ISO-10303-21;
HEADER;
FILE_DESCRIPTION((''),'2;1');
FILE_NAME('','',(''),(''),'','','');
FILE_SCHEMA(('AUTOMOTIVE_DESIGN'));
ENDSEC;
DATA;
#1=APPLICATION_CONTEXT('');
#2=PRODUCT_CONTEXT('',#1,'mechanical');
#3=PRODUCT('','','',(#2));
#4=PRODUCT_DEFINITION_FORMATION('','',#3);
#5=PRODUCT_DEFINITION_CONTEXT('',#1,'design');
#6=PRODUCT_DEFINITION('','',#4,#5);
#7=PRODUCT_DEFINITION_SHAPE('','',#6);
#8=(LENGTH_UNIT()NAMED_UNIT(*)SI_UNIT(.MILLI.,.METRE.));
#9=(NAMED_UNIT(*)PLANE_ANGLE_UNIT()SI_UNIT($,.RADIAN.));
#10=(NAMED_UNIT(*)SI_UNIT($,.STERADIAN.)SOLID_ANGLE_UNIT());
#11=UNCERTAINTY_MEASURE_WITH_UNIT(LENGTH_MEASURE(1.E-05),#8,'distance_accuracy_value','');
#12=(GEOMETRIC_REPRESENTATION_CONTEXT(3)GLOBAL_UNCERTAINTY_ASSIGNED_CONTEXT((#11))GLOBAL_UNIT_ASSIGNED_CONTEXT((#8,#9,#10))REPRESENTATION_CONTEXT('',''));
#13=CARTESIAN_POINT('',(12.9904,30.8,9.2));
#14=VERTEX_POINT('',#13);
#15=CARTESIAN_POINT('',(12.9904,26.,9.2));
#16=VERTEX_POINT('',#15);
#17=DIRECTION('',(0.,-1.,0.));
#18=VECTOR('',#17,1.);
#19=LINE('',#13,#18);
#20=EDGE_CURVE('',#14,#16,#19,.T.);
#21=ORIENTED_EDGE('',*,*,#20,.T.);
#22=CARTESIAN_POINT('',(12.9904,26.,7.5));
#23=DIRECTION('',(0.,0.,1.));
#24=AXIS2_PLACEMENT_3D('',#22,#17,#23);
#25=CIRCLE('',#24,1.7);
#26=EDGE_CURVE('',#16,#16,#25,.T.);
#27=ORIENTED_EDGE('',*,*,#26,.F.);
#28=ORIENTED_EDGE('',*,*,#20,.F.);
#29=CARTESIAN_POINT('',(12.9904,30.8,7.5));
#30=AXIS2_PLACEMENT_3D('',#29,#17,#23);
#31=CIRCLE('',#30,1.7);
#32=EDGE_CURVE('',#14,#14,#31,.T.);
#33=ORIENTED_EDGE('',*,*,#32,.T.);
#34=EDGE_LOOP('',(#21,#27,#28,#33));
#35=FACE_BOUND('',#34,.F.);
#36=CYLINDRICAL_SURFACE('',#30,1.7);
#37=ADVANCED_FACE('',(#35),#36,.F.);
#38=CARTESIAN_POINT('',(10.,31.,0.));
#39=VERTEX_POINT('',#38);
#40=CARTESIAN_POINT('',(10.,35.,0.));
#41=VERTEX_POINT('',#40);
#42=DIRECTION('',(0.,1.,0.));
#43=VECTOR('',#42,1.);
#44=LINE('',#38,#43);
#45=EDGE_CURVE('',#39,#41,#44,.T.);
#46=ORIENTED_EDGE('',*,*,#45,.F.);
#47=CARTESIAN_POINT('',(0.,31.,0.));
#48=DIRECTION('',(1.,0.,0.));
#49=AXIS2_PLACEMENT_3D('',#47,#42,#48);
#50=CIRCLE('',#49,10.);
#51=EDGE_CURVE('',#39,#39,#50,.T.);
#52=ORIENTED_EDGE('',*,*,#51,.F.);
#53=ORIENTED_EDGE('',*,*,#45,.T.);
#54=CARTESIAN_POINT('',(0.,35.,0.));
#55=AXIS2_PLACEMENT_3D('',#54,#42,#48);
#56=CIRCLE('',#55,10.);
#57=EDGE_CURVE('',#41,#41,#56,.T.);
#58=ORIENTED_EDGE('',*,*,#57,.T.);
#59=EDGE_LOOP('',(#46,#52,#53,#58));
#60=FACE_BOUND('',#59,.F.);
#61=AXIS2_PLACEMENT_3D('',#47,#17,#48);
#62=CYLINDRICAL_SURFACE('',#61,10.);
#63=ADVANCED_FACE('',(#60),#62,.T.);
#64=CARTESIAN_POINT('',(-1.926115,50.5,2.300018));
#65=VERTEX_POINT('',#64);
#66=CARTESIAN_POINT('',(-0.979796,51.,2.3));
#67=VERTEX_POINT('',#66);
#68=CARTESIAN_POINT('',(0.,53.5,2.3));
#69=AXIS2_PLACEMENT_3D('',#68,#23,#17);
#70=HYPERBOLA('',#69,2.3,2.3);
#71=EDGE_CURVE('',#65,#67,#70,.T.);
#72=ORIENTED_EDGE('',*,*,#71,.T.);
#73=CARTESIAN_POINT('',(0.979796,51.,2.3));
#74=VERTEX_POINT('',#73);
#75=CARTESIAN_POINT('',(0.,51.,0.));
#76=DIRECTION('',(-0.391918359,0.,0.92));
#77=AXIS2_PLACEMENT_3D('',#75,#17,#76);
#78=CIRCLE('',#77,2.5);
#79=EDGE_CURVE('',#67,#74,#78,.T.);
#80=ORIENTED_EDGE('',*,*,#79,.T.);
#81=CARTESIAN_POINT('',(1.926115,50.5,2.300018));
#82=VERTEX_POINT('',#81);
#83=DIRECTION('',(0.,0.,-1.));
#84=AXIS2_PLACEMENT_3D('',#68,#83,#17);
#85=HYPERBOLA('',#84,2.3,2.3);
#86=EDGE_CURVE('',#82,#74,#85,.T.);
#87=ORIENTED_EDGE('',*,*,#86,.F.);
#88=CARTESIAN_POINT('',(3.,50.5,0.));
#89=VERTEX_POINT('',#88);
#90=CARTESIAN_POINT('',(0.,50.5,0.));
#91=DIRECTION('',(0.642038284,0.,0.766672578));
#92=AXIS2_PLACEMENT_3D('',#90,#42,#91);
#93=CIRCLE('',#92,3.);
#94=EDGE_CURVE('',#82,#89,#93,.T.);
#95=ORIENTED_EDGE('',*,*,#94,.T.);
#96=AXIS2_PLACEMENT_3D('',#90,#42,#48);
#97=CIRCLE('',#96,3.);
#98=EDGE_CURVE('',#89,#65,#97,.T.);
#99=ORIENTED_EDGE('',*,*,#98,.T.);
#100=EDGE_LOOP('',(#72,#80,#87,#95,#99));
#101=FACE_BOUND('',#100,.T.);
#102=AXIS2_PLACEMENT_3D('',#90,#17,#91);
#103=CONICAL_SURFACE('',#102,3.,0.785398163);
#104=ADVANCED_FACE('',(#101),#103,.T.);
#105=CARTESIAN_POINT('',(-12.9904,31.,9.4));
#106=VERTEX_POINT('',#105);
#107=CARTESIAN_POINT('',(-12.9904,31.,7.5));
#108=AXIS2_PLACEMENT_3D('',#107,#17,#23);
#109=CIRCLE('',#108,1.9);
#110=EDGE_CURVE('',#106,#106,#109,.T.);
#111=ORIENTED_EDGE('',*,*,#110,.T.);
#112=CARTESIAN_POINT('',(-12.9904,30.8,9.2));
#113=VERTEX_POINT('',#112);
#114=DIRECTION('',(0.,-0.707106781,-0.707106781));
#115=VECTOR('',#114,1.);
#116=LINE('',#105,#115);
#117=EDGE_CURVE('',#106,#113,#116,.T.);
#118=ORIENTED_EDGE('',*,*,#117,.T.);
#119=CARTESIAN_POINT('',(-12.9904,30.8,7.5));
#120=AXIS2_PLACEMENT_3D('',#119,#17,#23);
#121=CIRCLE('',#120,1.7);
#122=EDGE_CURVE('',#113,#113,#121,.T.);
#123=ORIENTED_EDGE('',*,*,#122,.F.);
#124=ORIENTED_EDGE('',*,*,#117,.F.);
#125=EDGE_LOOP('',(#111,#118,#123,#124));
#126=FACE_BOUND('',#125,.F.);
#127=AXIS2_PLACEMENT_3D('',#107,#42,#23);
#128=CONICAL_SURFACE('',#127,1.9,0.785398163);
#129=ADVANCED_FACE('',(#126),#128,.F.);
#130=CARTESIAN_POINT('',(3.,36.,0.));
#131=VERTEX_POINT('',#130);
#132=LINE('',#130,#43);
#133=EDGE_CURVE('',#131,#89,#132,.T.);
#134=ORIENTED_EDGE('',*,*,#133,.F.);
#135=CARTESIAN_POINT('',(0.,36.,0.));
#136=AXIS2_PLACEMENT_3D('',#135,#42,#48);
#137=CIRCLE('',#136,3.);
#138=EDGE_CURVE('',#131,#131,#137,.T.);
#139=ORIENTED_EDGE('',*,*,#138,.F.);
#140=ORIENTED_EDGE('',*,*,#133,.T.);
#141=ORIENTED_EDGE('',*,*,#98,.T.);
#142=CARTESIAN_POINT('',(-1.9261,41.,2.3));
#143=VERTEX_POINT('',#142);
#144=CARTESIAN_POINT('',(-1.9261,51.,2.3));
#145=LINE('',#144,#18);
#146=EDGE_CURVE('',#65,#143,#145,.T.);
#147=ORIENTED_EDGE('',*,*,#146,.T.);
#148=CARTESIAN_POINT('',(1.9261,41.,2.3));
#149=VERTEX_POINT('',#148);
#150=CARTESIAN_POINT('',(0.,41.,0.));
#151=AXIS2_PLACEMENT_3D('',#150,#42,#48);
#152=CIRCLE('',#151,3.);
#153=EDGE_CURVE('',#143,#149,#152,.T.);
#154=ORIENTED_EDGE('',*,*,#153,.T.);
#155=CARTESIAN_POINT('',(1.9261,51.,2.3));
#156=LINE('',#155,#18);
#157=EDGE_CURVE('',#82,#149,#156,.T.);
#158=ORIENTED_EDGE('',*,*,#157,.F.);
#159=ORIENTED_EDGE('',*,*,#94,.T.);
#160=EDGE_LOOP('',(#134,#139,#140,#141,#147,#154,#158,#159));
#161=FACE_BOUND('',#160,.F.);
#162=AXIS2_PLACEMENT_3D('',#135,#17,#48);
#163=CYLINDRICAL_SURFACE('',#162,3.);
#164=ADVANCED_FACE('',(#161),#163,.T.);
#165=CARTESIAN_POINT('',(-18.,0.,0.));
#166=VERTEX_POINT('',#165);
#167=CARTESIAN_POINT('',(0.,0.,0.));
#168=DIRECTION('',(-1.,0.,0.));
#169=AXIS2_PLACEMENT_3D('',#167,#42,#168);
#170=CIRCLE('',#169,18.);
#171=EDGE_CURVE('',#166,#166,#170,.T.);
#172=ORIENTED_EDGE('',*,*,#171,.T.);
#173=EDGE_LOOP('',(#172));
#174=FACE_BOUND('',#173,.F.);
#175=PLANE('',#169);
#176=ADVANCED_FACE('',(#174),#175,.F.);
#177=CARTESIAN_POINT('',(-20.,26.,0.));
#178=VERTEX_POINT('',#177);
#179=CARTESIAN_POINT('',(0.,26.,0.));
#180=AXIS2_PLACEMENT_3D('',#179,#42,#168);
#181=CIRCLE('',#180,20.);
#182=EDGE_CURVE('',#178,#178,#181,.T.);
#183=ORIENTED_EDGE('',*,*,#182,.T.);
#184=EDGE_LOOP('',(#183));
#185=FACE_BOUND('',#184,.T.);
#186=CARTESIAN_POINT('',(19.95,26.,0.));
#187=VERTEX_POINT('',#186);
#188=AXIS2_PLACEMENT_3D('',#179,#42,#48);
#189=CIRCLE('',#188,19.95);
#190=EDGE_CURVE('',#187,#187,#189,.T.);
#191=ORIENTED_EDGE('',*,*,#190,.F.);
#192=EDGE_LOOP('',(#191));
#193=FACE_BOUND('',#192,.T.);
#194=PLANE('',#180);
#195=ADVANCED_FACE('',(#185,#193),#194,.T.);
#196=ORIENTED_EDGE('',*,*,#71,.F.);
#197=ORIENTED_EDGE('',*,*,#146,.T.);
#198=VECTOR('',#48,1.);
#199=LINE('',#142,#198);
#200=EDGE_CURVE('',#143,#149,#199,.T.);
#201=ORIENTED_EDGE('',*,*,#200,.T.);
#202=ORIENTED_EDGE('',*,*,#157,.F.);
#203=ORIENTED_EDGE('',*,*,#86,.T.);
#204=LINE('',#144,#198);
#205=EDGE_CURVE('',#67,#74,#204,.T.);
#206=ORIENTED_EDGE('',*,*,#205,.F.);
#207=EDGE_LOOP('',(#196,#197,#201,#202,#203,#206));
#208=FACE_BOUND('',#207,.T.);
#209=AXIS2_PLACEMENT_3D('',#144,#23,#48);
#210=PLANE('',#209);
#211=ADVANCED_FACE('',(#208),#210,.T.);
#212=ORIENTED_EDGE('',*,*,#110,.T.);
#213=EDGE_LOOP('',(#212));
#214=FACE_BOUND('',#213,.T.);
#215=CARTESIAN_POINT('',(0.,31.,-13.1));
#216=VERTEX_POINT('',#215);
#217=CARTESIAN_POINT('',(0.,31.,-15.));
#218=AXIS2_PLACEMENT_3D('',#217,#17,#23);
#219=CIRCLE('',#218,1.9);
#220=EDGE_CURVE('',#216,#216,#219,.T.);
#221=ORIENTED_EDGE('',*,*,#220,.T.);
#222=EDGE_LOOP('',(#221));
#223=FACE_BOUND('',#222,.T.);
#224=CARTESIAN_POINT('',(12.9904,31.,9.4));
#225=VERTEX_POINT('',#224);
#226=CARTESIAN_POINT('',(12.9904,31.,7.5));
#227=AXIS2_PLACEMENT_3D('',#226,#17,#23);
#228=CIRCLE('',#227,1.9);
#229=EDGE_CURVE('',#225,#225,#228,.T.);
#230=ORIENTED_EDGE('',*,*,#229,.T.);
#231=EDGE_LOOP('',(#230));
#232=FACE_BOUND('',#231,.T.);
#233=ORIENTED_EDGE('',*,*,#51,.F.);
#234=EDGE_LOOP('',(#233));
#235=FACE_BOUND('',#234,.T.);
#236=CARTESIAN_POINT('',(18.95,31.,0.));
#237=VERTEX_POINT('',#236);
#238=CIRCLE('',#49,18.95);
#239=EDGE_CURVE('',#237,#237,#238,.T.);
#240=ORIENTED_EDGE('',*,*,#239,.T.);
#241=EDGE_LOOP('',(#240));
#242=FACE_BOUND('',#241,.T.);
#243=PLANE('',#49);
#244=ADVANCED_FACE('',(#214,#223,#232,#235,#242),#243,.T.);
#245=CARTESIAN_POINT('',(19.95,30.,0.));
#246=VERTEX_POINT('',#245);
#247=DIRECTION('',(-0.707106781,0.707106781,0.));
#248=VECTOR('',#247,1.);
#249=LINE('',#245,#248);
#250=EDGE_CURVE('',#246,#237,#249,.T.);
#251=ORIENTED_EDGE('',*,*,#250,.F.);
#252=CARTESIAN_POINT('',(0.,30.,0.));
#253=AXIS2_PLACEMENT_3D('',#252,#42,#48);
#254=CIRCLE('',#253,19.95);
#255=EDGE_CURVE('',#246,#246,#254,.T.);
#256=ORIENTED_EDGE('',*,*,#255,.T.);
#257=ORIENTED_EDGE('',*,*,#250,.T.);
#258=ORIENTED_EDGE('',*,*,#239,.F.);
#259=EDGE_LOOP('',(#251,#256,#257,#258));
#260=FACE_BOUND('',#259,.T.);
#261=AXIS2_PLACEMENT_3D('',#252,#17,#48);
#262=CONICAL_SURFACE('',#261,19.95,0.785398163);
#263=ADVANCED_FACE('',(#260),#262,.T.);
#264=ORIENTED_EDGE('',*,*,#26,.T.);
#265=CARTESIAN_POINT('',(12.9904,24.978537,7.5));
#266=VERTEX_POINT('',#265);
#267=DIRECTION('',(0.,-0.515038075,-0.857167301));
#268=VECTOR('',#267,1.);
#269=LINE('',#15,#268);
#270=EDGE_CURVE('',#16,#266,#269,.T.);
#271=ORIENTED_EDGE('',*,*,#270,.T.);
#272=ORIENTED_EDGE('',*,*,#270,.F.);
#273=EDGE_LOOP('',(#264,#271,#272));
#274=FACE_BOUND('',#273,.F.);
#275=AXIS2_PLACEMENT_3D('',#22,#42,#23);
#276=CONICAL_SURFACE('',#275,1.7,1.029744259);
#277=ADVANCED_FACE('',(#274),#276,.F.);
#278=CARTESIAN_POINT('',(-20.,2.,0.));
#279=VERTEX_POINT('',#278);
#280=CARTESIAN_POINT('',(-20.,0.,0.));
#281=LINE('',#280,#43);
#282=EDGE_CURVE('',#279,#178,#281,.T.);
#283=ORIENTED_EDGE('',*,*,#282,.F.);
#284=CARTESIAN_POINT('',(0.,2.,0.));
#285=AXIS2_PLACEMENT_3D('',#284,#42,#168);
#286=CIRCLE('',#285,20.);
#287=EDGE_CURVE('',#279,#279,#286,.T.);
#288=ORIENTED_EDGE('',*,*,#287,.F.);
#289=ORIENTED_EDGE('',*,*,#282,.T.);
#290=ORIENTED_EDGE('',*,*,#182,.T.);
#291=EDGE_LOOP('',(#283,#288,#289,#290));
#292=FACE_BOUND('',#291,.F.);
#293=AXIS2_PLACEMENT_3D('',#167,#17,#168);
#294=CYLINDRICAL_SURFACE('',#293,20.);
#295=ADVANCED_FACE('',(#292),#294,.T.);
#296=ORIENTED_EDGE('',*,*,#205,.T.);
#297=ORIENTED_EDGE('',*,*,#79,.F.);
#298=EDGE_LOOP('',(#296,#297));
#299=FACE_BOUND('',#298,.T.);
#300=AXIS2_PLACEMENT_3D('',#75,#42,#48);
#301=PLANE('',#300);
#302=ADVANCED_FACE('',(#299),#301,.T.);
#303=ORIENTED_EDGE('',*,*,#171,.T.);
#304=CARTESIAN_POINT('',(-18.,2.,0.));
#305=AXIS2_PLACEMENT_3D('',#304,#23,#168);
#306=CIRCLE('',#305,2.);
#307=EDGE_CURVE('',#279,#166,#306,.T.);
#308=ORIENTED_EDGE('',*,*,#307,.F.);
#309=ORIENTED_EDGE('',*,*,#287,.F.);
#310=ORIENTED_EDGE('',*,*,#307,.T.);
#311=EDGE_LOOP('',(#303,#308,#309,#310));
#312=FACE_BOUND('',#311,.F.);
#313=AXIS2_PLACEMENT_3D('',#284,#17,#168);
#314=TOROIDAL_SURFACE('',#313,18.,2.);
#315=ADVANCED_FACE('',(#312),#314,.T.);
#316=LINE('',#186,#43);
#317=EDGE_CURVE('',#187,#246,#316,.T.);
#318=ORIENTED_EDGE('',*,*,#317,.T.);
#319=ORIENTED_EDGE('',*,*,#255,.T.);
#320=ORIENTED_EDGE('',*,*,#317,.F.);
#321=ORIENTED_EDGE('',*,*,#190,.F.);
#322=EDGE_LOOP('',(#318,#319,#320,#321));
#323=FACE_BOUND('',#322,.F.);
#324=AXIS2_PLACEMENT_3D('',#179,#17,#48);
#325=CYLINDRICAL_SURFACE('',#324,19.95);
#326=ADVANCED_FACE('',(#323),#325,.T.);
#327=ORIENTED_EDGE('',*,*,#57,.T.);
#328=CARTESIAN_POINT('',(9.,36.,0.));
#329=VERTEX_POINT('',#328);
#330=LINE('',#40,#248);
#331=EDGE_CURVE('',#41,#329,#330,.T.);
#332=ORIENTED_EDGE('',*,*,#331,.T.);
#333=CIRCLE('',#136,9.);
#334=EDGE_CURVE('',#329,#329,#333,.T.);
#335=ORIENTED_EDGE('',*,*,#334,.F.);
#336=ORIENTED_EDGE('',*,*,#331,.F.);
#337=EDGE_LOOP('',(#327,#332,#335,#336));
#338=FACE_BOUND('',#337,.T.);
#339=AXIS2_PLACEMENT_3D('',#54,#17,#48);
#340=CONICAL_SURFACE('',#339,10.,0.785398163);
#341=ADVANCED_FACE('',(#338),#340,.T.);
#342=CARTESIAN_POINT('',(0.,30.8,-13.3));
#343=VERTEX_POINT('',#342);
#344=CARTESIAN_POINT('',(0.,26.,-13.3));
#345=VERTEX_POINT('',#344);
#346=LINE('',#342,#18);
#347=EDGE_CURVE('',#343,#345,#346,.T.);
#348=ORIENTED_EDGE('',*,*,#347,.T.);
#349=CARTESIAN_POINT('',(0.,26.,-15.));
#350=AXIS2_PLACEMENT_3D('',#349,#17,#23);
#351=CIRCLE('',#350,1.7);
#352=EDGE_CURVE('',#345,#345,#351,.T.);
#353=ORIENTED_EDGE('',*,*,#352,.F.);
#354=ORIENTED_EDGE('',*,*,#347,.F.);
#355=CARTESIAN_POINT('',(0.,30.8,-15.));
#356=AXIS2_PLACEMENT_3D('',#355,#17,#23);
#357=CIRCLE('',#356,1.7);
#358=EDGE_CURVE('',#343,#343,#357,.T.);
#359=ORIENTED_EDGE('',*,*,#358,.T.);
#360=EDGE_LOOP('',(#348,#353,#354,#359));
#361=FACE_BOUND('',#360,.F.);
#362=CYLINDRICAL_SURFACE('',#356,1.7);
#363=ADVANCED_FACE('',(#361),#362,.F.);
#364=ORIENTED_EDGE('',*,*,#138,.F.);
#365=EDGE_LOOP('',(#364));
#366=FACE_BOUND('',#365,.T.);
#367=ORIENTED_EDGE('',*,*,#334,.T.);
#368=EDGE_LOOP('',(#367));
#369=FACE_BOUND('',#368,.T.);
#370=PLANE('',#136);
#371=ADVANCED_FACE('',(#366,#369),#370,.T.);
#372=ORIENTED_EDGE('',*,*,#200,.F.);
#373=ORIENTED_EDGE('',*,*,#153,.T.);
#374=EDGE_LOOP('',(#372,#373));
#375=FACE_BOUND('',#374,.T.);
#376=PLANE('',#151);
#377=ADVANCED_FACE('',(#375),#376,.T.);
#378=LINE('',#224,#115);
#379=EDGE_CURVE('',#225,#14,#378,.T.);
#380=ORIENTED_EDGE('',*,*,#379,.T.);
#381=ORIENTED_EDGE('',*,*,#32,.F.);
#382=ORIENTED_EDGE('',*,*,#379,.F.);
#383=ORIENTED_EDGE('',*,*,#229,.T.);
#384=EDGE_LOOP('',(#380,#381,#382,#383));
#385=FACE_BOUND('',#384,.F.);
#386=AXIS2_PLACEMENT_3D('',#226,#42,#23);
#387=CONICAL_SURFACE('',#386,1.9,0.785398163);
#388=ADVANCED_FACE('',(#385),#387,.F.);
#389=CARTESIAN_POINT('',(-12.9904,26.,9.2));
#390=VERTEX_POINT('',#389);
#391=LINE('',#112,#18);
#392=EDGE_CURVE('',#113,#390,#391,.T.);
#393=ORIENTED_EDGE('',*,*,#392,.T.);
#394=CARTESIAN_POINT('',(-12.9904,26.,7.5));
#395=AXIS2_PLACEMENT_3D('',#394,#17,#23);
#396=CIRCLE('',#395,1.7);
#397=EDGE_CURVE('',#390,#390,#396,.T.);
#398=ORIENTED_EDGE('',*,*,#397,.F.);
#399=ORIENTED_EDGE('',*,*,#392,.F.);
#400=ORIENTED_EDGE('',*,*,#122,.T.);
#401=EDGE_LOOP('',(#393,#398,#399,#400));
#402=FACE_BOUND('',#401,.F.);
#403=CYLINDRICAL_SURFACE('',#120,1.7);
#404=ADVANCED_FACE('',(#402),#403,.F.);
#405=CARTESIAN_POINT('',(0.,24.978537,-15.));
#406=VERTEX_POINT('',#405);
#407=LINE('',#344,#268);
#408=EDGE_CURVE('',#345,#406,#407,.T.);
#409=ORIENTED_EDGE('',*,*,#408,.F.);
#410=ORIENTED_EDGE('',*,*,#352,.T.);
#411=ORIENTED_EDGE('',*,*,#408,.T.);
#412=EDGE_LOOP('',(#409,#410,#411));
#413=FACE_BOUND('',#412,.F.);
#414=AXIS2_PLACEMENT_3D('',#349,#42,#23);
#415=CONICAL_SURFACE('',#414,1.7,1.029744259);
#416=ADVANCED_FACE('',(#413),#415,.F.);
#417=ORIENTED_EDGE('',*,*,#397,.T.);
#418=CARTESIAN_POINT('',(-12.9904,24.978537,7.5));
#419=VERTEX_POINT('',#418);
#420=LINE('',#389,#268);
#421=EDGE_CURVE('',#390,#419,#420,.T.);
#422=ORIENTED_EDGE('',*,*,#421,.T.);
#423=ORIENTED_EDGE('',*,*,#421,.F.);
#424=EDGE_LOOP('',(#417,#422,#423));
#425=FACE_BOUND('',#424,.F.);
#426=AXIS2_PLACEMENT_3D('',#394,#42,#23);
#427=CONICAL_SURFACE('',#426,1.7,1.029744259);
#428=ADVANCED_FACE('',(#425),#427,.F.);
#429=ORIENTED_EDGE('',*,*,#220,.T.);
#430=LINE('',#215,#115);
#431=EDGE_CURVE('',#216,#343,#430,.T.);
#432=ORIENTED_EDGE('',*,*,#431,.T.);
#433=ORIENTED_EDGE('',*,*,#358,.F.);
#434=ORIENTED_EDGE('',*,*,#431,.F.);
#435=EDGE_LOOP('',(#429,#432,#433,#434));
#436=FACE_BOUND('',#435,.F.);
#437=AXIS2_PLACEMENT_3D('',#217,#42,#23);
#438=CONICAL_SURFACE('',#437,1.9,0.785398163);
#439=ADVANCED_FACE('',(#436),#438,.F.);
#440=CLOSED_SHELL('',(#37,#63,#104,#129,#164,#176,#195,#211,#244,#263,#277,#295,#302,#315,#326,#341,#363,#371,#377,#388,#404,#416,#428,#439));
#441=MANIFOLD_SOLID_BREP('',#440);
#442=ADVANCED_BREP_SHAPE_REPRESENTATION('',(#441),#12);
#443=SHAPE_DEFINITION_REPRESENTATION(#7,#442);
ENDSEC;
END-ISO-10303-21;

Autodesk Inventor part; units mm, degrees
ref_plane "YZ Plane" through (0, 0, 0) normal (1, 0, 0) x (0, 1, 0)
ref_plane "XZ Plane" through (0, 0, 0) normal (0, 1, 0) x (-1, 0, 0)
ref_plane "XY Plane" through (0, 0, 0) normal (0, 0, 1) x (1, 0, 0)
sketch "Sketch1" plane through (0, 0, 0) normal (0, 1, 0) x (-1, 0, 0)
  circle A0 centre (0, 0) radius 20
  dimension "d0" = 40
extrude "Extrusion1" add sketch "Sketch1" along normal blind 26
sketch "Sketch2" plane through (0, 26, 0) normal (0, 1, 0) x (1, 0, 0)
  circle A0 centre (0, 0) radius 19.95
  dimension "d3" = 39.9
extrude "Extrusion2" add sketch "Sketch2" along normal blind 5
sketch "Sketch3" plane through (0, 31, 0) normal (0, 1, 0) x (1, 0, 0)
  circle A0 centre (0, 0) radius 10
  dimension "d6" = 20
extrude "Extrusion3" add sketch "Sketch3" along normal blind 5
sketch "Sketch4" plane through (0, 36, 0) normal (0, 1, 0) x (1, 0, 0)
  circle A0 centre (0, 0) radius 3
  dimension "d9" = 6
extrude "Extrusion4" add sketch "Sketch4" along normal blind 15
sketch "Sketch5" plane through (0, 51, 0) normal (0, 1, 0) x (1, 0, 0)
  circle A0 centre (0, 0) radius 3 projected
  circle A1 centre (0, 0) radius 3 projected
  line L0 (-1.9261, -2.3) -> (1.9261, -2.3)
  dimension "d12" = 2.3
extrude "Extrusion5" cut sketch "Sketch5" against normal blind 10 contours L0 A0 picked at (0.4482, -2.4273)
fillet "Fillet1" radius 2 1 edges at (20, 0, 0)
chamfer "Chamfer1" distance 1 angle 45 2 edges at (-19.95, 31, 0) (-10, 36, 0)
chamfer "Chamfer2" distance 0.5 angle 45 2 edges at (2.7183, 51, 1.2692) (-1.2692, 51, -2.7183)
sketch "Sketch6" plane through (0, 31, 0) normal (0, 1, 0) x (1, 0, 0)
  point P0 (0, 0)
  point P1 (0, 15)
  point P2 (-12.9904, -7.5)
  point P3 (12.9904, -7.5)
  dimension "d23" = 15
  dimension "d26" = 360
hole "Hole1" at (0, 31, -15) at (-12.9904, 31, 7.5) at (12.9904, 31, 7.5) direction (0, -1, 0) diameter 3.4 depth 5 tip angle 118 countersink diameter 3.8 countersink angle 90 clearance for "Countersunk Raised Head Screw ISO 2010/7047" size "M3" standard "ISO"
properties part number "Encoder" material "Stainless Steel"
